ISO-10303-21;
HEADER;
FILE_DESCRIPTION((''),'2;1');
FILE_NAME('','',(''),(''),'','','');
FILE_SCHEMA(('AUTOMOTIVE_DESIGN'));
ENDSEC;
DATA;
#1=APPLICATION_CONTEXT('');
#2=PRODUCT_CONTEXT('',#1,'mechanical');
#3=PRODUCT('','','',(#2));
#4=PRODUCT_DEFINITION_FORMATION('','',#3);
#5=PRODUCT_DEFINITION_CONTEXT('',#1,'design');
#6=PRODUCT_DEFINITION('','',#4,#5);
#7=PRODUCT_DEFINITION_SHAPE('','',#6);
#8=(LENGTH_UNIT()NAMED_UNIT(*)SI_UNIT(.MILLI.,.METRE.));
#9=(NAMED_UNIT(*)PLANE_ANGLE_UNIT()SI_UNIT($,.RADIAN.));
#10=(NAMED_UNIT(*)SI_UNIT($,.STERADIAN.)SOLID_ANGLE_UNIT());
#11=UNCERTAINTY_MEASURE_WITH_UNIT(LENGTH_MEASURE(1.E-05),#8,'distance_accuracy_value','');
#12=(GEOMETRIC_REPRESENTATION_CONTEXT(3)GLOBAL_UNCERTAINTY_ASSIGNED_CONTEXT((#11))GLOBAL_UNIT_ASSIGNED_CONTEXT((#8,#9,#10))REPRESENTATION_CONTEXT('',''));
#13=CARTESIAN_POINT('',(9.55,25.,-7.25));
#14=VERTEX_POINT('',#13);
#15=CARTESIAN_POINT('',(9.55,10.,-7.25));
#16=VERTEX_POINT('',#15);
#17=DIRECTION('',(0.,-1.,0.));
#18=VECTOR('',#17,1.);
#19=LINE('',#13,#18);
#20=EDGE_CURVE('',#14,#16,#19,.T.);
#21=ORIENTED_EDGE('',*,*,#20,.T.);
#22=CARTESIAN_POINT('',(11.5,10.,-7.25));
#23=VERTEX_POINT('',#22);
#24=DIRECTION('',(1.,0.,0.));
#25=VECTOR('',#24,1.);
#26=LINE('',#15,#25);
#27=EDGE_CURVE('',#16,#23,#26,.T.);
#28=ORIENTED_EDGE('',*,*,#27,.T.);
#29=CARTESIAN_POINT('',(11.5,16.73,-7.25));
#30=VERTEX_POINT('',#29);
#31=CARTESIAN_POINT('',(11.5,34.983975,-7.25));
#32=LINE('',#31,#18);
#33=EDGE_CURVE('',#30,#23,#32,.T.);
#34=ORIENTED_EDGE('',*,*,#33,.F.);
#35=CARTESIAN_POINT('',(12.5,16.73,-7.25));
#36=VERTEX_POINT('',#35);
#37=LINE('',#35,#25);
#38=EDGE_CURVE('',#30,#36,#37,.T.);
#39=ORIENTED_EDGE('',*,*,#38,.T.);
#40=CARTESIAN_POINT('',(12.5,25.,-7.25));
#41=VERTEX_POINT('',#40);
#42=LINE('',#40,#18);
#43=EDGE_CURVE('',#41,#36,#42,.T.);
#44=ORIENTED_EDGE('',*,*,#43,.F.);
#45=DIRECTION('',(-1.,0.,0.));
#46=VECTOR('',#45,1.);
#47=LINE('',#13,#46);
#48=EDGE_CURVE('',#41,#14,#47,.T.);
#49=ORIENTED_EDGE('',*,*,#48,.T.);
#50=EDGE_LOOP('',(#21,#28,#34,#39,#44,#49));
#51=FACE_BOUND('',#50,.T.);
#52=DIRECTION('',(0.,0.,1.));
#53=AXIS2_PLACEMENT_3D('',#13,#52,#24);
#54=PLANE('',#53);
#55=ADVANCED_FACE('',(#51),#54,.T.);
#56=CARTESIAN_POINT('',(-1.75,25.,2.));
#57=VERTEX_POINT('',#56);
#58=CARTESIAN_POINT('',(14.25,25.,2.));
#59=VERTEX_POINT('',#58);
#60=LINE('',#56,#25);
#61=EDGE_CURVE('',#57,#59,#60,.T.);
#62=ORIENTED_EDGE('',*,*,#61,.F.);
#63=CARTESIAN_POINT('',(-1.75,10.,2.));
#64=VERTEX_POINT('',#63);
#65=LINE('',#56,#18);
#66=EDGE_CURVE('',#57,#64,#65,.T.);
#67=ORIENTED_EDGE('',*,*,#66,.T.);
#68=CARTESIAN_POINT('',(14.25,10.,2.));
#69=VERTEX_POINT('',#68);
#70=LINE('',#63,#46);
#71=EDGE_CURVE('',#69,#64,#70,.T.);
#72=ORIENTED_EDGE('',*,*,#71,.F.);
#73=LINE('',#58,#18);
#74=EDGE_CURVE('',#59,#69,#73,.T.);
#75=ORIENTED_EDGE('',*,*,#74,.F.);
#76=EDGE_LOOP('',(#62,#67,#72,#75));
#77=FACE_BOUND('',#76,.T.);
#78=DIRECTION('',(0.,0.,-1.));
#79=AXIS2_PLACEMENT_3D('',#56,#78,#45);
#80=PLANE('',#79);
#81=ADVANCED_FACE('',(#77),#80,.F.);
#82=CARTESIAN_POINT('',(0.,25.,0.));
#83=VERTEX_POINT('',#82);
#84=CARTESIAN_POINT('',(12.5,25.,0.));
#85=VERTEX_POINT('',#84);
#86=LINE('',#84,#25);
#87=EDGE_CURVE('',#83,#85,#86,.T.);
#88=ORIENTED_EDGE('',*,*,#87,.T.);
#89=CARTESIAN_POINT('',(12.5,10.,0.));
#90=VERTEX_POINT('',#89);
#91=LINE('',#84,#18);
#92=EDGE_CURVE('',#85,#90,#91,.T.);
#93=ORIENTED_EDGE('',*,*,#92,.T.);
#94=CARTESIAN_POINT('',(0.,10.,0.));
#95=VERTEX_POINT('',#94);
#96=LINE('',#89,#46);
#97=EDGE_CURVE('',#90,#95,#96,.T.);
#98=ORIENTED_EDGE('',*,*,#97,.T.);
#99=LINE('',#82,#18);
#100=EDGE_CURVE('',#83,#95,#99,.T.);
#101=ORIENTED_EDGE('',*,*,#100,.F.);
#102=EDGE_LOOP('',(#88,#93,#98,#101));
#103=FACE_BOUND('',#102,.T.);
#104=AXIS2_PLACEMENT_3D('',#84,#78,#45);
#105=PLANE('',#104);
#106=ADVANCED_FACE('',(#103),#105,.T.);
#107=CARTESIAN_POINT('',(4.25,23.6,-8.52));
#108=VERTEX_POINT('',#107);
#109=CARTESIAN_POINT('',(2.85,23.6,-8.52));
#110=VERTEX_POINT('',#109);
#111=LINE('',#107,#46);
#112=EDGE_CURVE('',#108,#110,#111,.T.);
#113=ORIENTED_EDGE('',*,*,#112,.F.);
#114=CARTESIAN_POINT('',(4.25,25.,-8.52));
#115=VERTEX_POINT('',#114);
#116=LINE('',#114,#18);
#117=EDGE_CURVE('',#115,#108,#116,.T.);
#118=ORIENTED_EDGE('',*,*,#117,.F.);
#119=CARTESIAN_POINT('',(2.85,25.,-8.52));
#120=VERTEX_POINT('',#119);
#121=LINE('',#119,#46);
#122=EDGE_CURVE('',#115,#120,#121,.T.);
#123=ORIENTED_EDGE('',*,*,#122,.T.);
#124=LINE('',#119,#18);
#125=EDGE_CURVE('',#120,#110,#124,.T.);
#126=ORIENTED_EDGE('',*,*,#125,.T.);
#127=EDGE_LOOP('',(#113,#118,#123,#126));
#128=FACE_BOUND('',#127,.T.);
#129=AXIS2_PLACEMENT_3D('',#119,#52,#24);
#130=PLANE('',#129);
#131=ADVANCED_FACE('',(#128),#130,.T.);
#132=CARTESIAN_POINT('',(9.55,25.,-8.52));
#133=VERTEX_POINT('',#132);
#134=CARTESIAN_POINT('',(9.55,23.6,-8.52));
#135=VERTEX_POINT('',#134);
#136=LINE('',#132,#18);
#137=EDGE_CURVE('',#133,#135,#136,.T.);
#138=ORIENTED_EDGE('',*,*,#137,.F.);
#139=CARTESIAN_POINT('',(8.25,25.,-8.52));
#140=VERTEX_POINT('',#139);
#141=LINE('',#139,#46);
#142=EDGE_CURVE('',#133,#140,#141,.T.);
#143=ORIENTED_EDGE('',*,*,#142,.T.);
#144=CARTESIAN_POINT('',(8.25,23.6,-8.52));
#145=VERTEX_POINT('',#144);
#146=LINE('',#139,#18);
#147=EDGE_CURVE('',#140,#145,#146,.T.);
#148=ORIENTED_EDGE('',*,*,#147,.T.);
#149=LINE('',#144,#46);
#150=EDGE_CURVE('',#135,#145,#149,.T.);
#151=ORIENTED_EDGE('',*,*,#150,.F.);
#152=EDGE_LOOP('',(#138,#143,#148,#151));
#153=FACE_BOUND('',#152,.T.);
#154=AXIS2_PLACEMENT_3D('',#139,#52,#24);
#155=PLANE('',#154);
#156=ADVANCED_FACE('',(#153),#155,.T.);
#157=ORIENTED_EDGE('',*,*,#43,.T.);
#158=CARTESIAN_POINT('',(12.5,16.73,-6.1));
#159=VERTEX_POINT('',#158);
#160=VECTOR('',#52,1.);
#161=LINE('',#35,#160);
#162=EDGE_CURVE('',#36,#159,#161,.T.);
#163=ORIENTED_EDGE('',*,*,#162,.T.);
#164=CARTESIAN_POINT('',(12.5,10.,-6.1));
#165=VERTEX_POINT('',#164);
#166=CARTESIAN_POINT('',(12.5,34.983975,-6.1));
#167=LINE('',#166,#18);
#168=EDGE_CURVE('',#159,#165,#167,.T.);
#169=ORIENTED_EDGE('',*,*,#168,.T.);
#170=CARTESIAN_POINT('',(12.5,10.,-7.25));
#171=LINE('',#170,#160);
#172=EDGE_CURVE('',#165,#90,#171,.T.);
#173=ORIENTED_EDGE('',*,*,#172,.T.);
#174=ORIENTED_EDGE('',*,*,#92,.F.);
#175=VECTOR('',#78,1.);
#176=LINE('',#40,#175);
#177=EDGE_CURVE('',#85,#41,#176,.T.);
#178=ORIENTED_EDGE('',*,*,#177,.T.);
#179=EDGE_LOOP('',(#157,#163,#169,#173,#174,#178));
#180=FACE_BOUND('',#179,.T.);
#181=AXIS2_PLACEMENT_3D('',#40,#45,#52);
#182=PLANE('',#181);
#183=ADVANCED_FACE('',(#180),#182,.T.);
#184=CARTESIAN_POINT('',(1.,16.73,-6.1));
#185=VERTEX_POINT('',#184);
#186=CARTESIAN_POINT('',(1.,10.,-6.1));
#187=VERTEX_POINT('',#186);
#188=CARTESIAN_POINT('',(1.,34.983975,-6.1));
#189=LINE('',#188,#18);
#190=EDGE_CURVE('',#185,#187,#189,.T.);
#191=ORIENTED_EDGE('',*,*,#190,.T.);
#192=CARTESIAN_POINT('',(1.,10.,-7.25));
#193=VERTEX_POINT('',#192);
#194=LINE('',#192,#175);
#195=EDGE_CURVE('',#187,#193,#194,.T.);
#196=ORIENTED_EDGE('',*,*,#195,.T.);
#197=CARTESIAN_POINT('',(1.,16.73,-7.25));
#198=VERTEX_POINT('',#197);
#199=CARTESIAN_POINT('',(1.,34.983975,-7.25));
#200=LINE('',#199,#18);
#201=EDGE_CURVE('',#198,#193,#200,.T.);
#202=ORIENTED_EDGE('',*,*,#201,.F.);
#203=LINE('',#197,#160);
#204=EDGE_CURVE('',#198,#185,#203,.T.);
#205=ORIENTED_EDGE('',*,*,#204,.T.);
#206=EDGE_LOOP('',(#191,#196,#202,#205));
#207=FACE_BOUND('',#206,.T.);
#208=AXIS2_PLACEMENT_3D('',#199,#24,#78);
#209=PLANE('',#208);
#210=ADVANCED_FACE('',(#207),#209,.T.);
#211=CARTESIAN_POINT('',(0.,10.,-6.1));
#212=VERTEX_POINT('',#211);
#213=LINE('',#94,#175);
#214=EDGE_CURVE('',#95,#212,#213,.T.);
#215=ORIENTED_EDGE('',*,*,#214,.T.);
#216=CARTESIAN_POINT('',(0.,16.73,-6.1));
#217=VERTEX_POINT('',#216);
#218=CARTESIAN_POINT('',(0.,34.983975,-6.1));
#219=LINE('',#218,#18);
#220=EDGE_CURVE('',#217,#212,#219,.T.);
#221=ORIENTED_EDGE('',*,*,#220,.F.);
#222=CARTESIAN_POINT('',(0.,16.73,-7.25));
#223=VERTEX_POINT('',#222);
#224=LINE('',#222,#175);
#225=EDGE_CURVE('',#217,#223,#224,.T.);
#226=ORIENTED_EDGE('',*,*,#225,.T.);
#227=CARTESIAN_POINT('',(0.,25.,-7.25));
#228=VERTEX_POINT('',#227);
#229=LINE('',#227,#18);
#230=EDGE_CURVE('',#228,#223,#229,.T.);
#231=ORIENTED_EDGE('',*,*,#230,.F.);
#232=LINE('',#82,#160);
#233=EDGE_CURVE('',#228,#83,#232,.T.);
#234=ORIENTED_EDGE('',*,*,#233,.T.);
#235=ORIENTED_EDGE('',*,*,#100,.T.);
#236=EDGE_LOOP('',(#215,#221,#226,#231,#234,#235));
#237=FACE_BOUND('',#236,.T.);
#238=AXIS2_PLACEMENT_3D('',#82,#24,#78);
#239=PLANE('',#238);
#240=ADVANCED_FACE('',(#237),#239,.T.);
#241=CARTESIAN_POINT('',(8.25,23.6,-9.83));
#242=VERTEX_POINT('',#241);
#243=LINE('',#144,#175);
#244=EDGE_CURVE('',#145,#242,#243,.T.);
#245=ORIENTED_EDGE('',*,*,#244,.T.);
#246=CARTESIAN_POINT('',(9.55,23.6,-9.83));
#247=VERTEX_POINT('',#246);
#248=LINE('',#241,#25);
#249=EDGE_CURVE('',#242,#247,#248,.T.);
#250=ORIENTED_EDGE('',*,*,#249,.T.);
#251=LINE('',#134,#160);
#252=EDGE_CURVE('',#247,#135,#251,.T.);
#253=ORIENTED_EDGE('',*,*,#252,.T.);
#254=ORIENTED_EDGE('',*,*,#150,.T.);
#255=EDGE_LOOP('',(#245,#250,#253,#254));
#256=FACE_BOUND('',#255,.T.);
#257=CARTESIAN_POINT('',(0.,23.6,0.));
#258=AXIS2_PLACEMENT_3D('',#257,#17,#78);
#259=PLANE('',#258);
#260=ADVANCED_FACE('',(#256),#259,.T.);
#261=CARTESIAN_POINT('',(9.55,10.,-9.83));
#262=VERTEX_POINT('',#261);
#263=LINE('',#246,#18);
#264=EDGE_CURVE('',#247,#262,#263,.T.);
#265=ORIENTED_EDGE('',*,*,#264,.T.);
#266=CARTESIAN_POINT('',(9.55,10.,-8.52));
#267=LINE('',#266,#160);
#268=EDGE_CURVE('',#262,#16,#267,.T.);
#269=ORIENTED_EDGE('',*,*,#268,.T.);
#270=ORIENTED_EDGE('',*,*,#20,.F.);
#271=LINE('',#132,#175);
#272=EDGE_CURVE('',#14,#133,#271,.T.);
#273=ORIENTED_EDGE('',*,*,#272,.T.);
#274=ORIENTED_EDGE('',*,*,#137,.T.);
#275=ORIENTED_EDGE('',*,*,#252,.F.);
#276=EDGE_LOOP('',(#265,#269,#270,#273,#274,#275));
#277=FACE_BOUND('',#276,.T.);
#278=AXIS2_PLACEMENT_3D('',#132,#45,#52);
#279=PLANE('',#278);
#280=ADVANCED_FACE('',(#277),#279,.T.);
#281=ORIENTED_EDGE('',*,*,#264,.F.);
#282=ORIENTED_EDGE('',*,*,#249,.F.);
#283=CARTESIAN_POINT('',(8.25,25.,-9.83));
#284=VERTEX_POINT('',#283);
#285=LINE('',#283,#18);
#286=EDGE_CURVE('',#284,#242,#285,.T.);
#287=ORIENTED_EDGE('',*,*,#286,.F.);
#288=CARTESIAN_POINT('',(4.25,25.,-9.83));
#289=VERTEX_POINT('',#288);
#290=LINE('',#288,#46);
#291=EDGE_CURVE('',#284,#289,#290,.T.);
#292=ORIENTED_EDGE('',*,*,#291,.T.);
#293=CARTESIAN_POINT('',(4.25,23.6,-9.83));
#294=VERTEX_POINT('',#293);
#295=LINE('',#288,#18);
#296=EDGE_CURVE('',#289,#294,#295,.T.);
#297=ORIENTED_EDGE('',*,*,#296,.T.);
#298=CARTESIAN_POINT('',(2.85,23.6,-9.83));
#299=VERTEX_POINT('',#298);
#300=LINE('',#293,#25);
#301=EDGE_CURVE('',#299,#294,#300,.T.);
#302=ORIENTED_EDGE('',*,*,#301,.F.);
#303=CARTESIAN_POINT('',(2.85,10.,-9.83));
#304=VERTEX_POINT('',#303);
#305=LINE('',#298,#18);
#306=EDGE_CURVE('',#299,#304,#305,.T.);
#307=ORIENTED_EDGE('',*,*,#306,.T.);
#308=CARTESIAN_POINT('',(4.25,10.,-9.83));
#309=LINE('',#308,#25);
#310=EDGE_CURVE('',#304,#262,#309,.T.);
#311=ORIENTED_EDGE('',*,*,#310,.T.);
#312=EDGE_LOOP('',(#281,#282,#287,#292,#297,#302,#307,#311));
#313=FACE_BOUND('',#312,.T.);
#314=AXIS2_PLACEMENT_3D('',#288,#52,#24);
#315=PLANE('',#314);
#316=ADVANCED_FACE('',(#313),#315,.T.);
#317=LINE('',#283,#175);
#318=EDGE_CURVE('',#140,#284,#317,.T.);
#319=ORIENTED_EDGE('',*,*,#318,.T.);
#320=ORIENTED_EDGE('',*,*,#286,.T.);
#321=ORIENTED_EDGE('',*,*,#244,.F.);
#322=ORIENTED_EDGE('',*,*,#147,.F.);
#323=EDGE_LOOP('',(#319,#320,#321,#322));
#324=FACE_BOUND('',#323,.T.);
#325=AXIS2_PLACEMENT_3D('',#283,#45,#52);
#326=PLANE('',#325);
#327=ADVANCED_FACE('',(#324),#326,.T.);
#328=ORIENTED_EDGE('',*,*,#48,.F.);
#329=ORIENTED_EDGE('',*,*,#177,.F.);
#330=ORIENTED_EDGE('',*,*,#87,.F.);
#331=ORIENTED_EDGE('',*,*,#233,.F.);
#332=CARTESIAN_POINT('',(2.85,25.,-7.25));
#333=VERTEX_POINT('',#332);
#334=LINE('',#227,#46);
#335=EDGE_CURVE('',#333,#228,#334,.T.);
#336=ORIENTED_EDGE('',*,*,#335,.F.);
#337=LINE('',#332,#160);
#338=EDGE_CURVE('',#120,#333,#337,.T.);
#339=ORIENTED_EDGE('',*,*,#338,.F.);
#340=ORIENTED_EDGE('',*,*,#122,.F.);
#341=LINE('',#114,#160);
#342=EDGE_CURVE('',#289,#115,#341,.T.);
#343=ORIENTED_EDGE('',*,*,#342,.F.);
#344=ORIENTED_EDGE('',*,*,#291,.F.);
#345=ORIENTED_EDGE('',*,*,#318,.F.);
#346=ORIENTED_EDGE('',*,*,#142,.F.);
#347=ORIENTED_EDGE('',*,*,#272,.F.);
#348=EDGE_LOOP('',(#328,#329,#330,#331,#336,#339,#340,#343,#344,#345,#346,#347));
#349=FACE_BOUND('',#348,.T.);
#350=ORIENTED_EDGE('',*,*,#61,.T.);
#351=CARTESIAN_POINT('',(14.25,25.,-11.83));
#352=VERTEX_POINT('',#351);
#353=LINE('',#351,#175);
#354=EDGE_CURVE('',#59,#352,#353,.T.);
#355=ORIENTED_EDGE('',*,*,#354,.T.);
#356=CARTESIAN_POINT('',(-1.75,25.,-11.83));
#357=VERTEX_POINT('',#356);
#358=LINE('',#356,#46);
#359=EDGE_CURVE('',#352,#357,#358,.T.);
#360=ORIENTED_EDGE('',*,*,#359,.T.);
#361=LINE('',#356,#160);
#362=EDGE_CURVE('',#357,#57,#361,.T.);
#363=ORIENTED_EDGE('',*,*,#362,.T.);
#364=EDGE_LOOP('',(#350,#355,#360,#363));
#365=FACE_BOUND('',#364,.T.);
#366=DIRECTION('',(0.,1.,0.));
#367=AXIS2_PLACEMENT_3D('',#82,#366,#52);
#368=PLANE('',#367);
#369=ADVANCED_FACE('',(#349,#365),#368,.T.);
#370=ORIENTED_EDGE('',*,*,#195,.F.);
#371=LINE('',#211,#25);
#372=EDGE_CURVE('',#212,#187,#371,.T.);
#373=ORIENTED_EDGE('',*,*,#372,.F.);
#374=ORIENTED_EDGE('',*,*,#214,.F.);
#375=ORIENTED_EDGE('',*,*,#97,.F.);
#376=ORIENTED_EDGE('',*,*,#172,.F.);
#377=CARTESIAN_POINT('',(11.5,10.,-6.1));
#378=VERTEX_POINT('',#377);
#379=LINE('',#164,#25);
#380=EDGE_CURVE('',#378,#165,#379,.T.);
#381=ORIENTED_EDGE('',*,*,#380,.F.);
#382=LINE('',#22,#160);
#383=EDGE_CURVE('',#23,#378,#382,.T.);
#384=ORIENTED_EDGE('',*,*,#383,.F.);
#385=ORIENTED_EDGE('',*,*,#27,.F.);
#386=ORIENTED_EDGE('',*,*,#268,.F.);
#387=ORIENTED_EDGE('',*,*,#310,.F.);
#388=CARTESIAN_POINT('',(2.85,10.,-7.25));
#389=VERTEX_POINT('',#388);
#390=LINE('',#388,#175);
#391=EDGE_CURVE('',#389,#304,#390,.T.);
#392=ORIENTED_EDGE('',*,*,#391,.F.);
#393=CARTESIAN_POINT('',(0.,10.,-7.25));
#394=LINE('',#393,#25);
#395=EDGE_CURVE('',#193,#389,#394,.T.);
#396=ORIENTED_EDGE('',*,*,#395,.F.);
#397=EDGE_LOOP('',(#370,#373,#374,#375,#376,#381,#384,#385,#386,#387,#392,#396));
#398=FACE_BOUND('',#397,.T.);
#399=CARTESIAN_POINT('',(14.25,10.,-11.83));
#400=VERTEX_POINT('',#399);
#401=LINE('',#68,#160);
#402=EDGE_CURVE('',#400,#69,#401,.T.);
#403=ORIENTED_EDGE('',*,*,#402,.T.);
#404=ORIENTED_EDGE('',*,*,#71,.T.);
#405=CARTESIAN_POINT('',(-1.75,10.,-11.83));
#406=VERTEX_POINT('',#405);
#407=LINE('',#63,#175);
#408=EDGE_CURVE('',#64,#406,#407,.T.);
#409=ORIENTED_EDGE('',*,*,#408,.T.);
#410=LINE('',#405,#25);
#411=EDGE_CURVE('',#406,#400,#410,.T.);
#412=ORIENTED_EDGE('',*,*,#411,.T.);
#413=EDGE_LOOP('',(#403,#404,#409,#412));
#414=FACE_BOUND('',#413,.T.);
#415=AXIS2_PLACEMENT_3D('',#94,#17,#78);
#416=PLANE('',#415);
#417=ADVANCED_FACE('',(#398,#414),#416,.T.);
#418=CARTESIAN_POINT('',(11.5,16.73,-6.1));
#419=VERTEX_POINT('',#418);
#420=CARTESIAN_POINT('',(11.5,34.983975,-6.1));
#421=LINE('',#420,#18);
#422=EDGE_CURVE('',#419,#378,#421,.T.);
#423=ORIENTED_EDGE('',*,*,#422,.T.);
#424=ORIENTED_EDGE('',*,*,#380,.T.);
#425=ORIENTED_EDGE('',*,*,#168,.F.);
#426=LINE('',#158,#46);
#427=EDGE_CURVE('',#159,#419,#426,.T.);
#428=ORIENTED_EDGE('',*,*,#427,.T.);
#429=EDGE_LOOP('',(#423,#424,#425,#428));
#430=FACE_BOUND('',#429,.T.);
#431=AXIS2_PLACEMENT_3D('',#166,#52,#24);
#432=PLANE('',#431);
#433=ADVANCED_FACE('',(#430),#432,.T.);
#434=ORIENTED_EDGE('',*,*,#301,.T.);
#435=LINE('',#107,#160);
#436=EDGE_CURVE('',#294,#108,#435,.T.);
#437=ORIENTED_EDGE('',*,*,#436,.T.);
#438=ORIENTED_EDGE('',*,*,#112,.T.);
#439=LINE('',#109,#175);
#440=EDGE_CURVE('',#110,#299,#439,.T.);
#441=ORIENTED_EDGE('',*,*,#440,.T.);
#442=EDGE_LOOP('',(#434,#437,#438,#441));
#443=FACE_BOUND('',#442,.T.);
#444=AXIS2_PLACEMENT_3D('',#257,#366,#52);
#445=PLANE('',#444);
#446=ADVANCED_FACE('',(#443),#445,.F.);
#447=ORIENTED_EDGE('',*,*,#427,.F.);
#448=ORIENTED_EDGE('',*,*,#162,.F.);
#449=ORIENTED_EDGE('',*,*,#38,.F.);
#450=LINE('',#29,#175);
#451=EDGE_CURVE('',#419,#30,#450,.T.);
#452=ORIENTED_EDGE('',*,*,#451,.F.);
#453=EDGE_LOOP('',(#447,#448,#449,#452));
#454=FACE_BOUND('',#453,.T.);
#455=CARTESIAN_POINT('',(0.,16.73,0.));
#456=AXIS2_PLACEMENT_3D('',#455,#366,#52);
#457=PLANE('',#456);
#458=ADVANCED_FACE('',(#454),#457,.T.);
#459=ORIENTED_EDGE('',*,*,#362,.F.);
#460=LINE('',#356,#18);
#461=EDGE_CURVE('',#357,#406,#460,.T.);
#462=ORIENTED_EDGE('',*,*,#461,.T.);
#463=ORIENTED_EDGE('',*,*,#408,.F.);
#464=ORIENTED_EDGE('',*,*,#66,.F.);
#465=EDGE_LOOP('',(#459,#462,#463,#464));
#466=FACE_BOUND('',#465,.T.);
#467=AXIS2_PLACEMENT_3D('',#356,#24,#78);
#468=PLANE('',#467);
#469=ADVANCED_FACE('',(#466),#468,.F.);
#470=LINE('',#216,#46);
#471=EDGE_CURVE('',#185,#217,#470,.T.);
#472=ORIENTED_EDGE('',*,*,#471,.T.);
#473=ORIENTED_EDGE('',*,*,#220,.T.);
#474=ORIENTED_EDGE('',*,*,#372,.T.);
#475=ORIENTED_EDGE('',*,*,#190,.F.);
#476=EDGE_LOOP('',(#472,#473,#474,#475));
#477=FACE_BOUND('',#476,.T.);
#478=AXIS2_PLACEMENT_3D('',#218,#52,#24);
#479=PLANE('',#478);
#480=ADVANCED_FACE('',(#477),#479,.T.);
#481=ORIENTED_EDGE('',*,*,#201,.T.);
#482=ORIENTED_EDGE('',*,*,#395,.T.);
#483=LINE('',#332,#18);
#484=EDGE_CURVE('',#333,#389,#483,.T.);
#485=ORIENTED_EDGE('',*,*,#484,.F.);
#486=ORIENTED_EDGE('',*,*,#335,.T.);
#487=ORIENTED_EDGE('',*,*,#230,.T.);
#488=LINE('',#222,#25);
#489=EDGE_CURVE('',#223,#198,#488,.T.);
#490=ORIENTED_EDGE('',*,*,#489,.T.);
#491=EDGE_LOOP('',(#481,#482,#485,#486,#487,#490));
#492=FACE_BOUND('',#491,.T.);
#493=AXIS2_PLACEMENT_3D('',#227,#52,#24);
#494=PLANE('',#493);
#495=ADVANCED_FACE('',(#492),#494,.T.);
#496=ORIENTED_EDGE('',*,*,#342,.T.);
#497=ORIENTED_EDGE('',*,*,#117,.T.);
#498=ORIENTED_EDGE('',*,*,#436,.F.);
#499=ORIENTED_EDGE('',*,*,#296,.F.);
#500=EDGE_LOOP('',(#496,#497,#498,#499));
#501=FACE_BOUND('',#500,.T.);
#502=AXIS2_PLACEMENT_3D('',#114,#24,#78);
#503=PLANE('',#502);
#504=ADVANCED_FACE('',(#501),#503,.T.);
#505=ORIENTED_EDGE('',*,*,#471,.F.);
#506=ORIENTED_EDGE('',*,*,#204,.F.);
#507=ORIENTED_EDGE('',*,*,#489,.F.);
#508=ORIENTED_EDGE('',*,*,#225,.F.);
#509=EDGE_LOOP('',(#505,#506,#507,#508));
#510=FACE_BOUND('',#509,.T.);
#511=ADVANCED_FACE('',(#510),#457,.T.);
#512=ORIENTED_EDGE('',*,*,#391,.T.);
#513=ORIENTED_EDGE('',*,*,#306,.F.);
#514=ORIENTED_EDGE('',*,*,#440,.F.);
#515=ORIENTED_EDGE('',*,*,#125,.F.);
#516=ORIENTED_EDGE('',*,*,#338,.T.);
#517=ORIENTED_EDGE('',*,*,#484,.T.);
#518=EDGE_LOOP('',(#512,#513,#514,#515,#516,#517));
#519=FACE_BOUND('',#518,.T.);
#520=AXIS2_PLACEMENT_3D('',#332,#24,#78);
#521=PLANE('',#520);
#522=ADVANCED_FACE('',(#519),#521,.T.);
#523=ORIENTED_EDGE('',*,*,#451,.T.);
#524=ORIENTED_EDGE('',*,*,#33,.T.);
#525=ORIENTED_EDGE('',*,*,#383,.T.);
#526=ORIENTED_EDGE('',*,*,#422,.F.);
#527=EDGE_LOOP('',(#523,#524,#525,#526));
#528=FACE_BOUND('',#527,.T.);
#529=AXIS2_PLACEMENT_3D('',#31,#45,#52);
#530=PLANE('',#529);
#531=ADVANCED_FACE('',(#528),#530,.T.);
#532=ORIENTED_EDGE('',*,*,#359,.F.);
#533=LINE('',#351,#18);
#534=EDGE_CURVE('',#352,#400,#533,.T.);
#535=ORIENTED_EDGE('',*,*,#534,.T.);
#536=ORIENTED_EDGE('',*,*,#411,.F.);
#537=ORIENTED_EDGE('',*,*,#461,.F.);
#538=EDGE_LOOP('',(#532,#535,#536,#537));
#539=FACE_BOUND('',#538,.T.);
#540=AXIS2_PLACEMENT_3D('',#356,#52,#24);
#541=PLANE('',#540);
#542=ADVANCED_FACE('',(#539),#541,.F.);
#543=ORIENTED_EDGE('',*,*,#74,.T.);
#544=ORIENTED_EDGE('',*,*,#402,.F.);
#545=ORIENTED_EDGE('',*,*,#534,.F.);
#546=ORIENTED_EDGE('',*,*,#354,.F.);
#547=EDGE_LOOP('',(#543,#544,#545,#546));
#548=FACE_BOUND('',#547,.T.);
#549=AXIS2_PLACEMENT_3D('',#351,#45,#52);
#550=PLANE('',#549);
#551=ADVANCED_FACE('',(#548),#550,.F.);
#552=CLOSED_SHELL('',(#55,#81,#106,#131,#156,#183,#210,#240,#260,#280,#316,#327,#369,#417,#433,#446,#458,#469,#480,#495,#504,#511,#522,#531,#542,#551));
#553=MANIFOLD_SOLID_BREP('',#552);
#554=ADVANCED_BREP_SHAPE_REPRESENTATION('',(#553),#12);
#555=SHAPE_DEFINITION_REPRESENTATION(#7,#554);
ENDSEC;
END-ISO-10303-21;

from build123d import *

# Parameters (mm, degrees)
SKETCH1_W           = 16
SKETCH1_H           = 13.83
BOSS_EXTRUDE1_DEPTH = 25
SKETCH2_W           = 1
SKETCH2_H           = 1.15
BOSS_EXTRUDE3_DEPTH = 16.73
SKETCH3_W           = 1.4
SKETCH3_H           = 1.31
SKETCH3_W_2         = 1.3
CUT_EXTRUDE1_DEPTH  = 23.6
SKETCH5_W           = 16
SKETCH5_H           = 13.83
CUT_EXTRUDE2_DEPTH  = 10


with BuildPart() as part:
    # Sketch1 → Boss-Extrude1 (new body)
    with BuildSketch(Plane(origin=(0, 0, 0), x_dir=(1, 0, 0), z_dir=(0, 1, 0))):
        with Locations((6.25, 4.915)):
            Rectangle(SKETCH1_W, SKETCH1_H)
        Polygon((0, 0), (0, 7.25), (2.85, 7.25), (2.85, 8.52), (4.25, 8.52), (4.25, 9.83), (8.25, 9.83), (8.25, 8.52), (9.55, 8.52), (9.55, 7.25), (12.5, 7.25), (12.5, 0), align=None, mode=Mode.SUBTRACT)
    extrude(amount=BOSS_EXTRUDE1_DEPTH)

    # Sketch2 → Boss-Extrude3 (add)
    with BuildSketch(Plane.XZ):
        with Locations((12, -6.675)):
            Rectangle(SKETCH2_W, SKETCH2_H)
        with Locations((0.5, -6.675)):
            Rectangle(SKETCH2_W, SKETCH2_H)
    extrude(amount=-BOSS_EXTRUDE3_DEPTH)

    # Sketch3 → Cut-Extrude1 (cut)
    with BuildSketch(Plane.XZ):
        with Locations((3.55, -9.175)):
            Rectangle(SKETCH3_W, SKETCH3_H)
        with Locations((8.9, -9.175)):
            Rectangle(SKETCH3_W_2, SKETCH3_H)
    extrude(amount=-CUT_EXTRUDE1_DEPTH, mode=Mode.SUBTRACT)

    # Sketch5 → Cut-Extrude2 (cut)
    with BuildSketch(Plane.XZ):
        with Locations((6.25, -4.915)):
            Rectangle(SKETCH5_W, SKETCH5_H)
    extrude(amount=-CUT_EXTRUDE2_DEPTH, mode=Mode.SUBTRACT)


solid = part.part
